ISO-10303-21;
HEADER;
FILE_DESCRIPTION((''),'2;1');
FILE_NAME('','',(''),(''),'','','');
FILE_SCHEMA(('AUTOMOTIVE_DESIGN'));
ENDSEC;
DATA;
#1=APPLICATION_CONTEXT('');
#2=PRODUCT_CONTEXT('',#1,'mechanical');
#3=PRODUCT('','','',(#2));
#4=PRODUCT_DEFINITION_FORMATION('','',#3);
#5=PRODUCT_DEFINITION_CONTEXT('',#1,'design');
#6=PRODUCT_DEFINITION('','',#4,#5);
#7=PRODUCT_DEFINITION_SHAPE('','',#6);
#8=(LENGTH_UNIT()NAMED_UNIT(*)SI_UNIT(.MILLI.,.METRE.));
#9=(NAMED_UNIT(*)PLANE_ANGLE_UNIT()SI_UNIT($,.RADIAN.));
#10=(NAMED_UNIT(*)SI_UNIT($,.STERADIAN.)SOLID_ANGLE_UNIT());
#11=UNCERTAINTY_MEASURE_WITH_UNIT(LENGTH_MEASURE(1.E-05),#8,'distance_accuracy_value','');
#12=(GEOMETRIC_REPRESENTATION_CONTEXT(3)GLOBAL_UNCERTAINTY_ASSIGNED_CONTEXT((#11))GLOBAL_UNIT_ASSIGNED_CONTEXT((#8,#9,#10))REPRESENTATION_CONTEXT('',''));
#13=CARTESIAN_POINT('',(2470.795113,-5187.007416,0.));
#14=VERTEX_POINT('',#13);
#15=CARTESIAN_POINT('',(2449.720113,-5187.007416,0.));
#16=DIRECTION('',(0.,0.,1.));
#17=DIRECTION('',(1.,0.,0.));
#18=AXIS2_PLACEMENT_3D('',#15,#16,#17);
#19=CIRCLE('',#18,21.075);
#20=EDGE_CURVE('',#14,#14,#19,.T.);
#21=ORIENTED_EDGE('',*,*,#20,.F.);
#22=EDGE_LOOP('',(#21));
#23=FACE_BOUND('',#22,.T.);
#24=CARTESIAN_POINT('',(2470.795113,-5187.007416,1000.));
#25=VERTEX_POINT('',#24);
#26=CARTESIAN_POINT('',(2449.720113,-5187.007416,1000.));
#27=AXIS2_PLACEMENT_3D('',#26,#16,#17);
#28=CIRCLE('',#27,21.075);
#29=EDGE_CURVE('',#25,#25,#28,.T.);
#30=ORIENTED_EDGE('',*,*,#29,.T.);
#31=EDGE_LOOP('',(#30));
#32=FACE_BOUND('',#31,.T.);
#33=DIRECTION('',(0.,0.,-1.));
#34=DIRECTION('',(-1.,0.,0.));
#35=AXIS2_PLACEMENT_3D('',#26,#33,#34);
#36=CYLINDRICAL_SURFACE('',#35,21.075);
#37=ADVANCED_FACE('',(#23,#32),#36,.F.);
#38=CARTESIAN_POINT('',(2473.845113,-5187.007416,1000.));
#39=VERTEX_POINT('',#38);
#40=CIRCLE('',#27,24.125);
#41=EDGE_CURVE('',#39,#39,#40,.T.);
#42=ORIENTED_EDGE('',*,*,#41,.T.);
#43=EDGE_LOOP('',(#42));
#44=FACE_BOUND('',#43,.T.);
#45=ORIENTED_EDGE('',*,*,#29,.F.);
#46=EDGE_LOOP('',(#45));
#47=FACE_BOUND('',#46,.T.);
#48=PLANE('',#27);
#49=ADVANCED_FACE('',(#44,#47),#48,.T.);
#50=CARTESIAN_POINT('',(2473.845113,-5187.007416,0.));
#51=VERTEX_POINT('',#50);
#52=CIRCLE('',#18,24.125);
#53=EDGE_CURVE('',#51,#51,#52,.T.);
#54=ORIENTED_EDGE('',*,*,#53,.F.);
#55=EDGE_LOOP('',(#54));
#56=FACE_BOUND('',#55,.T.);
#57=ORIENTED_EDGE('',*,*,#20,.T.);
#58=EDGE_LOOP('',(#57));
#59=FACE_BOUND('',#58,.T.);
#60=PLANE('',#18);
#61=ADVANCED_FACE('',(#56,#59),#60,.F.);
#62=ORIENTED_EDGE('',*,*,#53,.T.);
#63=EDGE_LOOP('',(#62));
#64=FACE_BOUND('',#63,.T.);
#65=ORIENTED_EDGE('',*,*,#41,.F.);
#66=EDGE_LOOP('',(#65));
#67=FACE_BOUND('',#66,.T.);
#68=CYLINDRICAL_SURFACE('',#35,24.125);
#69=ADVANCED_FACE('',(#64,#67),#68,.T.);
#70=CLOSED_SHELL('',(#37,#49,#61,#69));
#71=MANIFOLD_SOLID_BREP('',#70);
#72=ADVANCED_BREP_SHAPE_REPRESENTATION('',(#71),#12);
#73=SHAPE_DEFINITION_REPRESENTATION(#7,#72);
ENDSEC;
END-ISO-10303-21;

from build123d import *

# Parameters (mm, degrees)
SKETCH2_R           = 24.125
SKETCH2_R_2         = 21.075
BOSS_EXTRUDE1_DEPTH = 1000


with BuildPart() as part:
    # Sketch2 → Boss-Extrude1 (new body)
    with BuildSketch(Plane.XY):
        with Locations((2449.72011288, -5187.007415734)):
            Circle(SKETCH2_R)
        with Locations((2449.72011288, -5187.007415734)):
            Circle(SKETCH2_R_2, mode=Mode.SUBTRACT)
    extrude(amount=BOSS_EXTRUDE1_DEPTH)


solid = part.part
